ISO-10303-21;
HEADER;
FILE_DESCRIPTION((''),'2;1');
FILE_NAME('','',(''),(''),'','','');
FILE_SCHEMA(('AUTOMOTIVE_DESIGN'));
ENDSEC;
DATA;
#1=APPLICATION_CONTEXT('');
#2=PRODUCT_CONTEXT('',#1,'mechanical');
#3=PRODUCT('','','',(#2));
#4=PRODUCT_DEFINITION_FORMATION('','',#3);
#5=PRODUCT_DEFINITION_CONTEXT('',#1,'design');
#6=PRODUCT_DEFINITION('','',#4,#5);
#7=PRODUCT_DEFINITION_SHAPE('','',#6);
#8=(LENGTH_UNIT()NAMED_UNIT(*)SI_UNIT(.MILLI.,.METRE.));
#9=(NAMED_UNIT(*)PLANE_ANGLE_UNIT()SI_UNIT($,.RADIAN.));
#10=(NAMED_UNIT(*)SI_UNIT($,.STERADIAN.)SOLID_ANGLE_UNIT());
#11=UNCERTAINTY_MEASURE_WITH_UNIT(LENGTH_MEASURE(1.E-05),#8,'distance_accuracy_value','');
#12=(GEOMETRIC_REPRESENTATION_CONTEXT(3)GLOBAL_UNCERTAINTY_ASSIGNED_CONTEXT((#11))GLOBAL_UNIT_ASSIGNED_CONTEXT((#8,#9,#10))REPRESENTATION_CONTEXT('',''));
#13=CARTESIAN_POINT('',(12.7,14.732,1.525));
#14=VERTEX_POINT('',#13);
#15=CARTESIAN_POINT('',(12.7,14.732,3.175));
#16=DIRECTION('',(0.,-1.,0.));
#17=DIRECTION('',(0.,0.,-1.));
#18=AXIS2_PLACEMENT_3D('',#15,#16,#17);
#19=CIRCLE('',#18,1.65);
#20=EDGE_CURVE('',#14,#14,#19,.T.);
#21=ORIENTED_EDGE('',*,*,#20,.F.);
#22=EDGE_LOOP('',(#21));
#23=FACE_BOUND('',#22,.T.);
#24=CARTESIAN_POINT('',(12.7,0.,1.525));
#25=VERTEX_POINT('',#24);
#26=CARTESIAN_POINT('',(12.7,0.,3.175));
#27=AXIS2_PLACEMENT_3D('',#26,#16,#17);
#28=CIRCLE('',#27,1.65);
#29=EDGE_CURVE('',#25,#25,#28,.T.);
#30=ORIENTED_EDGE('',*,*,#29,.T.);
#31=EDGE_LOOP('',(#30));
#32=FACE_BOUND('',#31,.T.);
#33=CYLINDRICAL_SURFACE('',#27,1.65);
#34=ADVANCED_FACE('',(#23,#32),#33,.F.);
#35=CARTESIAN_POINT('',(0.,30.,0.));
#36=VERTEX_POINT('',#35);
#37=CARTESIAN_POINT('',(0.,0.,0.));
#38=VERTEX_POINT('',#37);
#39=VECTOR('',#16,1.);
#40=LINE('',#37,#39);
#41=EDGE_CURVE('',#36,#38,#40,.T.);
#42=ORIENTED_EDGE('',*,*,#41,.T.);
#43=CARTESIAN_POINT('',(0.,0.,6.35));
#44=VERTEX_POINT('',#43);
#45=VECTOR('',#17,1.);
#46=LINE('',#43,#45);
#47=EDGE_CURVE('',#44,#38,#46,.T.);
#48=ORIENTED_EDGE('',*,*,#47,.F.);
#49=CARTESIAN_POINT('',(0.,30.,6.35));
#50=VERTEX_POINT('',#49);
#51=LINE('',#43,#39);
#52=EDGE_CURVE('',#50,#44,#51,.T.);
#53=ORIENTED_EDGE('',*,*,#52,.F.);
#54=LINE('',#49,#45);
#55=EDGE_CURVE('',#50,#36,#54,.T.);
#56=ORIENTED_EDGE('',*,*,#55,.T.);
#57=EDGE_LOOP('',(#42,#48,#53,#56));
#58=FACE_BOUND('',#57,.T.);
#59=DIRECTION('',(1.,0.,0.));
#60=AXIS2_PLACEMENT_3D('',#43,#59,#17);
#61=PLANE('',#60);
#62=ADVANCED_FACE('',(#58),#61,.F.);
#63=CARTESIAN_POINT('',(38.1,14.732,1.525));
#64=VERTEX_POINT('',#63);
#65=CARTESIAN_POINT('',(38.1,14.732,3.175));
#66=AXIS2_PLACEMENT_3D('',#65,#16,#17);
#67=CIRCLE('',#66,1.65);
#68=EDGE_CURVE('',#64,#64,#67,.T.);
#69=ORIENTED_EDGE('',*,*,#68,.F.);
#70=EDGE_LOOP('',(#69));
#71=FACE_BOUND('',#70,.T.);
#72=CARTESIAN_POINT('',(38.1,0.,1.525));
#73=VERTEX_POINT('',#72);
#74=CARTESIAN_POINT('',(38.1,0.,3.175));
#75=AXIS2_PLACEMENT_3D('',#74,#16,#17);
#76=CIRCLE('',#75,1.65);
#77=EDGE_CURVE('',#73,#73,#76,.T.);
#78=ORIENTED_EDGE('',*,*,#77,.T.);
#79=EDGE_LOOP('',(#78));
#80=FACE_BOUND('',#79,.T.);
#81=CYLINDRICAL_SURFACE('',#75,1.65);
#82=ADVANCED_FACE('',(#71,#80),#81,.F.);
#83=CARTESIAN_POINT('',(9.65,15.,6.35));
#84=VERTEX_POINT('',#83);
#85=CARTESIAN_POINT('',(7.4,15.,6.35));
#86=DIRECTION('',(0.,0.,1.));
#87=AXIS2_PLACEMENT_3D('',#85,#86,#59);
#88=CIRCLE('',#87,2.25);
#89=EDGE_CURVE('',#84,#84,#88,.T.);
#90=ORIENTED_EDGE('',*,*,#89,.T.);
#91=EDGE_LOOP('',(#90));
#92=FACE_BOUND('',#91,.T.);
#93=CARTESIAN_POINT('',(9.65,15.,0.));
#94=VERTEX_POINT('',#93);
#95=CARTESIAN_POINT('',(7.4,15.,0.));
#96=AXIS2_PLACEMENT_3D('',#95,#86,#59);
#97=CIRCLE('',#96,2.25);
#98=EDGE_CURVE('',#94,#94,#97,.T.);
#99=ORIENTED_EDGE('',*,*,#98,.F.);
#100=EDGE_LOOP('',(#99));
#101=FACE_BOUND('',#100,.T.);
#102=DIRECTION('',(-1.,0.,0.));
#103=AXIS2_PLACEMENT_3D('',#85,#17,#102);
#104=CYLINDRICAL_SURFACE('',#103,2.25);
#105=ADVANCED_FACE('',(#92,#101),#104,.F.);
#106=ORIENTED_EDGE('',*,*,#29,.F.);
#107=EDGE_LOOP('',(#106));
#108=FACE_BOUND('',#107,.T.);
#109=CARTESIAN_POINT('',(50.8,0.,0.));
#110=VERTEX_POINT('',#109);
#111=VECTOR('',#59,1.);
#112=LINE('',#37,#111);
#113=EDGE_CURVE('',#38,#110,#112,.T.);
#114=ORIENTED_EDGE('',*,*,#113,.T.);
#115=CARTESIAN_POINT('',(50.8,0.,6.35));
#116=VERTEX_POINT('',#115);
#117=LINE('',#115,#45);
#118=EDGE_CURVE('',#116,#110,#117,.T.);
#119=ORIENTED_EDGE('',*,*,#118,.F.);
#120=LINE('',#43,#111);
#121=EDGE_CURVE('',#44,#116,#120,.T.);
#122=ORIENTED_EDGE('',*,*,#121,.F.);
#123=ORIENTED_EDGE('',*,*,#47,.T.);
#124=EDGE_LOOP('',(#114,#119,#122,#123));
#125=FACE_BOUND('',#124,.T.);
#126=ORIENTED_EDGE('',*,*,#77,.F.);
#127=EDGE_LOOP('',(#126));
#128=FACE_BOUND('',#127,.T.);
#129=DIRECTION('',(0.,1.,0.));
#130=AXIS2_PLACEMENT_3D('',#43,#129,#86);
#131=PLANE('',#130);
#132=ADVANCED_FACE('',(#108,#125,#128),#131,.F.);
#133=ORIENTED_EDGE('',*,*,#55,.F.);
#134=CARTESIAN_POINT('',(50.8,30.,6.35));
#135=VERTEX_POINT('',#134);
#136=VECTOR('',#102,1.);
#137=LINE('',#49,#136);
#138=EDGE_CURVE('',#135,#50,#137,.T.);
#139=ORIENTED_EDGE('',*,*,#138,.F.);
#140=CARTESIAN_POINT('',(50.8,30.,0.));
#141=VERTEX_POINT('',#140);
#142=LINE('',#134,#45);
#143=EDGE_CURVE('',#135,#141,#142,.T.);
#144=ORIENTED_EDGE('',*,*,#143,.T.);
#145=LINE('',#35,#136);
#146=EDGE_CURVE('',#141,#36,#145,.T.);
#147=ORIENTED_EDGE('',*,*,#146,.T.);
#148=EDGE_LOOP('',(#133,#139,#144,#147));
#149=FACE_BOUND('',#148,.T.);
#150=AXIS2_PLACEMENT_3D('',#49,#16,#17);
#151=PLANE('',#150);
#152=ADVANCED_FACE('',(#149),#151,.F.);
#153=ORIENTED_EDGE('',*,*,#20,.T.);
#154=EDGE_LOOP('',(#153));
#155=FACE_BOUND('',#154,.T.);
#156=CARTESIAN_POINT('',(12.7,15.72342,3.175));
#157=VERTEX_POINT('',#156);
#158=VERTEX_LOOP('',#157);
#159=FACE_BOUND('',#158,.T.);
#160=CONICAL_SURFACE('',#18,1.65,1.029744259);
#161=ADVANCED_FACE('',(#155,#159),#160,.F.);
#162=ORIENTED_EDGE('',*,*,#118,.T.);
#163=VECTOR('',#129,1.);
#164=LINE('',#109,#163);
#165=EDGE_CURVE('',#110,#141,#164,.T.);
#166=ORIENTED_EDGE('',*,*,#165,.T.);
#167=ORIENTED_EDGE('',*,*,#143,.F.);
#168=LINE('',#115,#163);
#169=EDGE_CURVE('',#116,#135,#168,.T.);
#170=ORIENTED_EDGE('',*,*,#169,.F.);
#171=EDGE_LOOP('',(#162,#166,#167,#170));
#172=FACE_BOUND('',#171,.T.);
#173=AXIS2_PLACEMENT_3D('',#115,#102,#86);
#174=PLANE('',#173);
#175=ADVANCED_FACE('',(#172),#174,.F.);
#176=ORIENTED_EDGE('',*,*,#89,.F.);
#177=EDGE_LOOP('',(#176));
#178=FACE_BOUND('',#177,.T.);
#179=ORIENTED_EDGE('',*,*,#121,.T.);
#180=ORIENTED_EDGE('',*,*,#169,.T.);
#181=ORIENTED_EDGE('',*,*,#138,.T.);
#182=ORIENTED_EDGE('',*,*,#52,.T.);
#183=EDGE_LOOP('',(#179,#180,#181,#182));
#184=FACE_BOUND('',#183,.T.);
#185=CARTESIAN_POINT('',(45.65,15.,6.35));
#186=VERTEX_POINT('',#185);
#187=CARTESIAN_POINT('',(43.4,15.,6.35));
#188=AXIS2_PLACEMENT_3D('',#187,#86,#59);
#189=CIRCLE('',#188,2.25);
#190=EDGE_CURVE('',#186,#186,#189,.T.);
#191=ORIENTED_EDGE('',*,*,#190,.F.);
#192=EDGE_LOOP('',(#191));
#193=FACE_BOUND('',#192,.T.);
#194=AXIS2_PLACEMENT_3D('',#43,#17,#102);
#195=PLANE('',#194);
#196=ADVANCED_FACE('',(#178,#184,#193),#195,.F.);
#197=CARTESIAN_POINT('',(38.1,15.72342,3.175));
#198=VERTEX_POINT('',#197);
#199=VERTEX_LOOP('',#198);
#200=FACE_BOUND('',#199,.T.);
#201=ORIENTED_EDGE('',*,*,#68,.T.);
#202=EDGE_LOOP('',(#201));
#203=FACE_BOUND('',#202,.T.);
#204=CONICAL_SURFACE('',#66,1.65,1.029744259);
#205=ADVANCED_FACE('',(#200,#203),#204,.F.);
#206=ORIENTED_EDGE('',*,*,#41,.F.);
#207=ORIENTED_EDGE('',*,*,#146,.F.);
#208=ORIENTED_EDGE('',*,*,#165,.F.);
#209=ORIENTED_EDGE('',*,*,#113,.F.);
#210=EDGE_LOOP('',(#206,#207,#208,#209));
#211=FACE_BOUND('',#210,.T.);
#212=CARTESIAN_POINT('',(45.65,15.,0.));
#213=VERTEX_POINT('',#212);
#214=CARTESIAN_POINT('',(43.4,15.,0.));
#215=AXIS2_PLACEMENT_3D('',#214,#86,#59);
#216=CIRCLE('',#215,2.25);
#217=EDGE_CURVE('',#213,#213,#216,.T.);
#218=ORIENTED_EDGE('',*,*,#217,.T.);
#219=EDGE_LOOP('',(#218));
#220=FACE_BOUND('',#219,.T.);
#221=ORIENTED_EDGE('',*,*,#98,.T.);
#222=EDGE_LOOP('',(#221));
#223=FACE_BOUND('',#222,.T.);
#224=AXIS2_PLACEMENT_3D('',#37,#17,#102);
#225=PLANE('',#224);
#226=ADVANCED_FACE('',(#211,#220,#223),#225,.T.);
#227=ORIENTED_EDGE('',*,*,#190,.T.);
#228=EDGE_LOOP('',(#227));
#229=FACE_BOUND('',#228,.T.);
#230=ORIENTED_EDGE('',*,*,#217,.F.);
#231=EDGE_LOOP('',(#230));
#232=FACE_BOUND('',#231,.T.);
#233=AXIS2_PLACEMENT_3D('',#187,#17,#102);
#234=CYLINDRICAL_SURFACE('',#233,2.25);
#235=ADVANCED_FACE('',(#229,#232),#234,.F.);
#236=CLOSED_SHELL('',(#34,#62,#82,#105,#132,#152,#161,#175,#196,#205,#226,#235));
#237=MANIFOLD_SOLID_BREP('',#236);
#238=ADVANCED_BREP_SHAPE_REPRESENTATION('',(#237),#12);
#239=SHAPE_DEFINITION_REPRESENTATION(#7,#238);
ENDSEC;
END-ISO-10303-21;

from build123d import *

# Parameters (mm, degrees)
SKETCH1_W                 = 50.8
SKETCH1_H                 = 30
SKETCH1_R                 = 2.25
BOSS_EXTRUDE1_DEPTH       = 6.35
M4X0_7_TAPPED_HOLE1_D     = 3.3
M4X0_7_TAPPED_HOLE1_DEPTH = 14.732
M4X0_7_TAPPED_HOLE1_TIP   = 0.991420021


with BuildPart() as part:
    # Sketch1 → Boss-Extrude1 (new body)
    with BuildSketch(Plane.XY):
        with Locations((25.4, 15)):
            Rectangle(SKETCH1_W, SKETCH1_H)
        with Locations((7.400000059, 15)):
            Circle(SKETCH1_R, mode=Mode.SUBTRACT)
        with Locations((43.400000059, 15)):
            Circle(SKETCH1_R, mode=Mode.SUBTRACT)
    extrude(amount=BOSS_EXTRUDE1_DEPTH)

    # M4x0.7 Tapped Hole1
    with Locations(Plane(origin=(0, 0, 0), x_dir=(-1, 0, 0), z_dir=(0, -1, 0))):
        with Locations((-12.7, -3.175), (-38.1, -3.175)):
            Hole(M4X0_7_TAPPED_HOLE1_D / 2, depth=M4X0_7_TAPPED_HOLE1_DEPTH)
            with Locations((0, 0, -(M4X0_7_TAPPED_HOLE1_DEPTH + M4X0_7_TAPPED_HOLE1_TIP / 2))):  # 118° drill point
                Cone(0, M4X0_7_TAPPED_HOLE1_D / 2, M4X0_7_TAPPED_HOLE1_TIP, mode=Mode.SUBTRACT)


solid = part.part
